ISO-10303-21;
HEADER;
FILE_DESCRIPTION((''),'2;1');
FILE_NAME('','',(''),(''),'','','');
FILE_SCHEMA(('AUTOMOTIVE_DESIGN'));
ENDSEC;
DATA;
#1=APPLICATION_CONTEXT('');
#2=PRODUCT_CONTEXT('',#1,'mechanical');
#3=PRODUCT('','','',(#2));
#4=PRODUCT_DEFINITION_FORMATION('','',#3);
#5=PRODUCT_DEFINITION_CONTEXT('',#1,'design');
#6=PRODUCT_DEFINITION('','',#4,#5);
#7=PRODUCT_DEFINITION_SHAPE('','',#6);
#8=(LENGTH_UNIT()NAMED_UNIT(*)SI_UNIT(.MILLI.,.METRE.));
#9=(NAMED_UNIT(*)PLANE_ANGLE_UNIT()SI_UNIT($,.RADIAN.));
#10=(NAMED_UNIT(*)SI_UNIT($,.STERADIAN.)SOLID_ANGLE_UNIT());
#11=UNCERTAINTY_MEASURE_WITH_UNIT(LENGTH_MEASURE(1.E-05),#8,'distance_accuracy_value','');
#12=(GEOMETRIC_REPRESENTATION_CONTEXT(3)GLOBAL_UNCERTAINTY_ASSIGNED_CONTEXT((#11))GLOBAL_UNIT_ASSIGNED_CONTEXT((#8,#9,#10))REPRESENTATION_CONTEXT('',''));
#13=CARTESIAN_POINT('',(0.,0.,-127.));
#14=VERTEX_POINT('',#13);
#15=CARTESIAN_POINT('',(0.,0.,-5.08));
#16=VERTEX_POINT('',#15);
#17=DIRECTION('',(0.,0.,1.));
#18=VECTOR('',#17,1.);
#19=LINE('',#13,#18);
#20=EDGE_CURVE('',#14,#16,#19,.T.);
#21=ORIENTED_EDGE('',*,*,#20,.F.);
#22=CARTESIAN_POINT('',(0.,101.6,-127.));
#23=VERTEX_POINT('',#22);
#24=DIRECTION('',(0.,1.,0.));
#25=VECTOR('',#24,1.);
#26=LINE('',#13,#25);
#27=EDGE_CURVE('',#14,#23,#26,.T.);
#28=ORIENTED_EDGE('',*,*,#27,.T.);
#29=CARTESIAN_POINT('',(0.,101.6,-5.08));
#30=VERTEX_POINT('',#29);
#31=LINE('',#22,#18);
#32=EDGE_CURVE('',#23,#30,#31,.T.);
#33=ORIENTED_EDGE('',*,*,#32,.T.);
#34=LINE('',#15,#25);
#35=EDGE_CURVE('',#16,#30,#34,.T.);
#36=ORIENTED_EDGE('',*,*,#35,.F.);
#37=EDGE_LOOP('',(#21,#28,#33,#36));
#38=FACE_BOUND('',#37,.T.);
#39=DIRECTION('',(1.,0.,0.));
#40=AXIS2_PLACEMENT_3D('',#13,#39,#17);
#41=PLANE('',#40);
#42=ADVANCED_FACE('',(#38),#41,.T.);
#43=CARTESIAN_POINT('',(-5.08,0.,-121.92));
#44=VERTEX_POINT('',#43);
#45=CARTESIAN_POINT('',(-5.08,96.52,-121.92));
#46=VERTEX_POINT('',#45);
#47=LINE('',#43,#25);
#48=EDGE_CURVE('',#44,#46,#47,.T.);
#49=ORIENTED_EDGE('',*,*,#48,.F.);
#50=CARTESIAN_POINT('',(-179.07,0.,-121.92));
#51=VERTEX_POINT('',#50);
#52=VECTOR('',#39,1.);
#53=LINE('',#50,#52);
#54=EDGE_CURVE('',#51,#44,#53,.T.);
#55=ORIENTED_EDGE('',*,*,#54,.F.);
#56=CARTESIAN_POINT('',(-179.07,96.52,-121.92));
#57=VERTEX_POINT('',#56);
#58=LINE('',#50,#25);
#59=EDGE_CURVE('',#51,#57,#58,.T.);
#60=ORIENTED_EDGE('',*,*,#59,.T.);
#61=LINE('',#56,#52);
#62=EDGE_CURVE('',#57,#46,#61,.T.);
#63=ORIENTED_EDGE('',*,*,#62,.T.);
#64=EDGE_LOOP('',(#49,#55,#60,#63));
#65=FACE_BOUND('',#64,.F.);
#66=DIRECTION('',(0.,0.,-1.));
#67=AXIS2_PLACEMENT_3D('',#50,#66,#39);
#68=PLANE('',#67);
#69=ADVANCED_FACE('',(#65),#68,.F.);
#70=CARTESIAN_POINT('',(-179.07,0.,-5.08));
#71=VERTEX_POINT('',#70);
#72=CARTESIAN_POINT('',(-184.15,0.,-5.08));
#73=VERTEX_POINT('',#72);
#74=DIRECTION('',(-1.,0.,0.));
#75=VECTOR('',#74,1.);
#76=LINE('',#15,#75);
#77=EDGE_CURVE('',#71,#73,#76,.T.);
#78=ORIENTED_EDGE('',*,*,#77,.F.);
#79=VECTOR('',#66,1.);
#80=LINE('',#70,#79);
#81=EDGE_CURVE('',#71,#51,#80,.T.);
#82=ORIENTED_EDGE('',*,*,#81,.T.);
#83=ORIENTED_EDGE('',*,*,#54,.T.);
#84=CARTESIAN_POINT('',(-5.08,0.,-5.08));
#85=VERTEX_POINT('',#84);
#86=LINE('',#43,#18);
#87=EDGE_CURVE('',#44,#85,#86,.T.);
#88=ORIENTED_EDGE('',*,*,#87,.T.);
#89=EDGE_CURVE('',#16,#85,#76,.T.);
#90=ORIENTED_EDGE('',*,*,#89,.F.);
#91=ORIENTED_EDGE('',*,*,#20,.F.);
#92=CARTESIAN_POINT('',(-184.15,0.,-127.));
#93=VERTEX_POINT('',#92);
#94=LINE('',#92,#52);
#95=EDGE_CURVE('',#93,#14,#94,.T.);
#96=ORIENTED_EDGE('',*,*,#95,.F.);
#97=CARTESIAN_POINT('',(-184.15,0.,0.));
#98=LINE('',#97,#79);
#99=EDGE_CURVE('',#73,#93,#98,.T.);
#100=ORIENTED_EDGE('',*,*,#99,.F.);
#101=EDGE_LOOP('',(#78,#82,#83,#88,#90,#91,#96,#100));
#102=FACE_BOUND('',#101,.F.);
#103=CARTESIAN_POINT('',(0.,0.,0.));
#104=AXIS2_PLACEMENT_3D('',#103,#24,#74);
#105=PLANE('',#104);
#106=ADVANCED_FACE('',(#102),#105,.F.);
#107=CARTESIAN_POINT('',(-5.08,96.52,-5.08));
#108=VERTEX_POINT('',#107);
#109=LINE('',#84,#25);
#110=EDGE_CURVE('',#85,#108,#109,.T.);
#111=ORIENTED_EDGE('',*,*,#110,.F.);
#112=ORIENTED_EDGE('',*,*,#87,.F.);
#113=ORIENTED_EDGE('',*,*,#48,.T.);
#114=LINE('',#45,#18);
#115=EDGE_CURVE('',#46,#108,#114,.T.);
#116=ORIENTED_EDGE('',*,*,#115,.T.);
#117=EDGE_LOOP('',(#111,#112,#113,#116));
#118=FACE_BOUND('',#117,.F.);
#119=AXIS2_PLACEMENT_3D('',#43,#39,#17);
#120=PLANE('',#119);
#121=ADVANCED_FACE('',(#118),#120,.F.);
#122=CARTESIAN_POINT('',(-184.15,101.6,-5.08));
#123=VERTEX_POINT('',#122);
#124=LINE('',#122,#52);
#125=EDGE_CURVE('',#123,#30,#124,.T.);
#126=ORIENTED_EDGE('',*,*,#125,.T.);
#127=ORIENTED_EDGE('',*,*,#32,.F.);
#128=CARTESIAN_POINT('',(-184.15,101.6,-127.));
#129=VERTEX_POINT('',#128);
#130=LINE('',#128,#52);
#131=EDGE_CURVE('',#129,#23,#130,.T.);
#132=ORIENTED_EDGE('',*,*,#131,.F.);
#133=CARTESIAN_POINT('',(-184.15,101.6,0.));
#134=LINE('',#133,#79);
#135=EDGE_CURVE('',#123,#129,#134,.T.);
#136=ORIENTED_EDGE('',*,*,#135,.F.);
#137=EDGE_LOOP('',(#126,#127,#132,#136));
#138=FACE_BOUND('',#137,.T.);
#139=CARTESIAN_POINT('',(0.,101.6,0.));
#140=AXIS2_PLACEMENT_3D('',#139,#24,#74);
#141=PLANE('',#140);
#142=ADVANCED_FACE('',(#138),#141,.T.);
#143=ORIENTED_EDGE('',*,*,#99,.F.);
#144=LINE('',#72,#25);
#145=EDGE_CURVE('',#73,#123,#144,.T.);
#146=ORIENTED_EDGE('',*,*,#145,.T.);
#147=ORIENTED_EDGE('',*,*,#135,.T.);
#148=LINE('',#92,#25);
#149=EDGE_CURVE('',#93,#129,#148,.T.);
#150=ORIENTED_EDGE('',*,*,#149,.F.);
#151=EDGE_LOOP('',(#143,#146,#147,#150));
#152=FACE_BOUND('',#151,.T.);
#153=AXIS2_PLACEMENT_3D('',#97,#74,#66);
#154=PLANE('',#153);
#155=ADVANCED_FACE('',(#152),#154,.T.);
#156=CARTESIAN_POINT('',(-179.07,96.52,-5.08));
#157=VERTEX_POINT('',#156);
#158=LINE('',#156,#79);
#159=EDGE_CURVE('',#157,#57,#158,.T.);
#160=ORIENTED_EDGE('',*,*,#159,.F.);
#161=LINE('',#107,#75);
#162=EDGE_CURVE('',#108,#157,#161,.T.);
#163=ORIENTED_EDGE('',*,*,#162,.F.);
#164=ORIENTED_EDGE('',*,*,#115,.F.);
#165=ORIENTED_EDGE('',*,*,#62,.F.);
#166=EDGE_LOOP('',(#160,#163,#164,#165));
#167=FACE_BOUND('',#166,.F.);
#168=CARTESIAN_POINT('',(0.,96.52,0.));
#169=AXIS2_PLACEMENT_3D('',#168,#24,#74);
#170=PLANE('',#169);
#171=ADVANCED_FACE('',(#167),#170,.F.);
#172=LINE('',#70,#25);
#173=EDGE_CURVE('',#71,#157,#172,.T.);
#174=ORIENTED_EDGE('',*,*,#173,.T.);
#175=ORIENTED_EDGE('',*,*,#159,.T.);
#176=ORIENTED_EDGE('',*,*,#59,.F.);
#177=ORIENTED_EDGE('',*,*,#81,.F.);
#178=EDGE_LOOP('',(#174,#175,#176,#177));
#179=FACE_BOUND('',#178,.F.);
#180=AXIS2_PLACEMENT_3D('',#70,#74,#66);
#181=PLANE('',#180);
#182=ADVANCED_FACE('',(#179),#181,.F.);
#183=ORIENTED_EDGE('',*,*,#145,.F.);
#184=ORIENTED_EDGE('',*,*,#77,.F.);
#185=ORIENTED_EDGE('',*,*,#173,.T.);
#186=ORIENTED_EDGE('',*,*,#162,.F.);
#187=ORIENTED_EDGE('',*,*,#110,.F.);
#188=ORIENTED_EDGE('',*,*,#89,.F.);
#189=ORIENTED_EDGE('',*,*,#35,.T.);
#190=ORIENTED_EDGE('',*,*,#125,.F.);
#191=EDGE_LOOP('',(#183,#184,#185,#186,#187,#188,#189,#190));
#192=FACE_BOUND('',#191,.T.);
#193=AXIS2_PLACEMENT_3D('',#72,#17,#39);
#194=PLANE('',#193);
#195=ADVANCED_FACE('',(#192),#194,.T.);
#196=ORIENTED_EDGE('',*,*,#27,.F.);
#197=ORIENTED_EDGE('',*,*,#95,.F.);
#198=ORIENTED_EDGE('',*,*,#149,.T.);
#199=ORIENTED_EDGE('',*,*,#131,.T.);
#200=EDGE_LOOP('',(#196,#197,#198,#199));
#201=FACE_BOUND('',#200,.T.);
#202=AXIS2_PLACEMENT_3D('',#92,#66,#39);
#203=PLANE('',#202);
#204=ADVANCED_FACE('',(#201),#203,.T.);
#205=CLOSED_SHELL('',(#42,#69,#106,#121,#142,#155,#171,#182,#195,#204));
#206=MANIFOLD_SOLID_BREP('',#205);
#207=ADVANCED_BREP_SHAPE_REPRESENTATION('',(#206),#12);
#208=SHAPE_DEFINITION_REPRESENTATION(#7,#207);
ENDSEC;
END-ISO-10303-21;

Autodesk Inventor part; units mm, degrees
ref_plane "YZ Plane" through (0, 0, 0) normal (1, 0, 0) x (0, 1, 0)
ref_plane "XZ Plane" through (0, 0, 0) normal (0, 1, 0) x (-1, 0, 0)
ref_plane "XY Plane" through (0, 0, 0) normal (0, 0, 1) x (1, 0, 0)
sketch "Sketch2" plane through (0, 0, 0) normal (0, 1, 0) x (-1, 0, 0)
  line L0 (0, 0) -> (184.15, 0)
  line L1 (184.15, 0) -> (184.15, -127)
  line L2 (184.15, -127) -> (0, -127)
  line L3 (0, -127) -> (0, 0)
  line L4 (179.07, -121.92) -> (5.08, -121.92)
  line L5 (5.08, -121.92) -> (5.08, -5.08)
  line L6 (5.08, -5.08) -> (179.07, -5.08)
  line L7 (179.07, -5.08) -> (179.07, -121.92)
  dimension "d0" = 184.15
  dimension "d1" = 127
  dimension "d2" = 5.08
  dimension "d3" = 5.08
  dimension "d4" = 5.08
  dimension "d5" = 5.08
extrude "Extrusion1" add sketch "Sketch2" along normal blind 101.6 contours L0 L1 L2 L3 | L4 L5 L6 L7
extrude "Extrusion2" cut sketch "Sketch2" along normal blind 96.52 contours L4 L5 L6 L7
sketch "Sketch3" plane through (-184.15, 0, 0) normal (0, 0, 1) x (1, 0, 0)
  line L0 (184.15, 0) -> (184.15, 101.6) projected
  line L1 (184.15, 0) -> (0, 0)
  line L2 (0, 0) -> (0, 101.6)
  line L3 (0, 101.6) -> (184.15, 101.6)
  line L4 (184.15, 101.6) -> (184.15, 0)
  dimension "d10" = 184.15
  dimension "d11" = 101.6
extrude "Extrusion3" cut sketch "Sketch3" against normal up to surface (5.08 mm away)
properties part number "Box_Top"
